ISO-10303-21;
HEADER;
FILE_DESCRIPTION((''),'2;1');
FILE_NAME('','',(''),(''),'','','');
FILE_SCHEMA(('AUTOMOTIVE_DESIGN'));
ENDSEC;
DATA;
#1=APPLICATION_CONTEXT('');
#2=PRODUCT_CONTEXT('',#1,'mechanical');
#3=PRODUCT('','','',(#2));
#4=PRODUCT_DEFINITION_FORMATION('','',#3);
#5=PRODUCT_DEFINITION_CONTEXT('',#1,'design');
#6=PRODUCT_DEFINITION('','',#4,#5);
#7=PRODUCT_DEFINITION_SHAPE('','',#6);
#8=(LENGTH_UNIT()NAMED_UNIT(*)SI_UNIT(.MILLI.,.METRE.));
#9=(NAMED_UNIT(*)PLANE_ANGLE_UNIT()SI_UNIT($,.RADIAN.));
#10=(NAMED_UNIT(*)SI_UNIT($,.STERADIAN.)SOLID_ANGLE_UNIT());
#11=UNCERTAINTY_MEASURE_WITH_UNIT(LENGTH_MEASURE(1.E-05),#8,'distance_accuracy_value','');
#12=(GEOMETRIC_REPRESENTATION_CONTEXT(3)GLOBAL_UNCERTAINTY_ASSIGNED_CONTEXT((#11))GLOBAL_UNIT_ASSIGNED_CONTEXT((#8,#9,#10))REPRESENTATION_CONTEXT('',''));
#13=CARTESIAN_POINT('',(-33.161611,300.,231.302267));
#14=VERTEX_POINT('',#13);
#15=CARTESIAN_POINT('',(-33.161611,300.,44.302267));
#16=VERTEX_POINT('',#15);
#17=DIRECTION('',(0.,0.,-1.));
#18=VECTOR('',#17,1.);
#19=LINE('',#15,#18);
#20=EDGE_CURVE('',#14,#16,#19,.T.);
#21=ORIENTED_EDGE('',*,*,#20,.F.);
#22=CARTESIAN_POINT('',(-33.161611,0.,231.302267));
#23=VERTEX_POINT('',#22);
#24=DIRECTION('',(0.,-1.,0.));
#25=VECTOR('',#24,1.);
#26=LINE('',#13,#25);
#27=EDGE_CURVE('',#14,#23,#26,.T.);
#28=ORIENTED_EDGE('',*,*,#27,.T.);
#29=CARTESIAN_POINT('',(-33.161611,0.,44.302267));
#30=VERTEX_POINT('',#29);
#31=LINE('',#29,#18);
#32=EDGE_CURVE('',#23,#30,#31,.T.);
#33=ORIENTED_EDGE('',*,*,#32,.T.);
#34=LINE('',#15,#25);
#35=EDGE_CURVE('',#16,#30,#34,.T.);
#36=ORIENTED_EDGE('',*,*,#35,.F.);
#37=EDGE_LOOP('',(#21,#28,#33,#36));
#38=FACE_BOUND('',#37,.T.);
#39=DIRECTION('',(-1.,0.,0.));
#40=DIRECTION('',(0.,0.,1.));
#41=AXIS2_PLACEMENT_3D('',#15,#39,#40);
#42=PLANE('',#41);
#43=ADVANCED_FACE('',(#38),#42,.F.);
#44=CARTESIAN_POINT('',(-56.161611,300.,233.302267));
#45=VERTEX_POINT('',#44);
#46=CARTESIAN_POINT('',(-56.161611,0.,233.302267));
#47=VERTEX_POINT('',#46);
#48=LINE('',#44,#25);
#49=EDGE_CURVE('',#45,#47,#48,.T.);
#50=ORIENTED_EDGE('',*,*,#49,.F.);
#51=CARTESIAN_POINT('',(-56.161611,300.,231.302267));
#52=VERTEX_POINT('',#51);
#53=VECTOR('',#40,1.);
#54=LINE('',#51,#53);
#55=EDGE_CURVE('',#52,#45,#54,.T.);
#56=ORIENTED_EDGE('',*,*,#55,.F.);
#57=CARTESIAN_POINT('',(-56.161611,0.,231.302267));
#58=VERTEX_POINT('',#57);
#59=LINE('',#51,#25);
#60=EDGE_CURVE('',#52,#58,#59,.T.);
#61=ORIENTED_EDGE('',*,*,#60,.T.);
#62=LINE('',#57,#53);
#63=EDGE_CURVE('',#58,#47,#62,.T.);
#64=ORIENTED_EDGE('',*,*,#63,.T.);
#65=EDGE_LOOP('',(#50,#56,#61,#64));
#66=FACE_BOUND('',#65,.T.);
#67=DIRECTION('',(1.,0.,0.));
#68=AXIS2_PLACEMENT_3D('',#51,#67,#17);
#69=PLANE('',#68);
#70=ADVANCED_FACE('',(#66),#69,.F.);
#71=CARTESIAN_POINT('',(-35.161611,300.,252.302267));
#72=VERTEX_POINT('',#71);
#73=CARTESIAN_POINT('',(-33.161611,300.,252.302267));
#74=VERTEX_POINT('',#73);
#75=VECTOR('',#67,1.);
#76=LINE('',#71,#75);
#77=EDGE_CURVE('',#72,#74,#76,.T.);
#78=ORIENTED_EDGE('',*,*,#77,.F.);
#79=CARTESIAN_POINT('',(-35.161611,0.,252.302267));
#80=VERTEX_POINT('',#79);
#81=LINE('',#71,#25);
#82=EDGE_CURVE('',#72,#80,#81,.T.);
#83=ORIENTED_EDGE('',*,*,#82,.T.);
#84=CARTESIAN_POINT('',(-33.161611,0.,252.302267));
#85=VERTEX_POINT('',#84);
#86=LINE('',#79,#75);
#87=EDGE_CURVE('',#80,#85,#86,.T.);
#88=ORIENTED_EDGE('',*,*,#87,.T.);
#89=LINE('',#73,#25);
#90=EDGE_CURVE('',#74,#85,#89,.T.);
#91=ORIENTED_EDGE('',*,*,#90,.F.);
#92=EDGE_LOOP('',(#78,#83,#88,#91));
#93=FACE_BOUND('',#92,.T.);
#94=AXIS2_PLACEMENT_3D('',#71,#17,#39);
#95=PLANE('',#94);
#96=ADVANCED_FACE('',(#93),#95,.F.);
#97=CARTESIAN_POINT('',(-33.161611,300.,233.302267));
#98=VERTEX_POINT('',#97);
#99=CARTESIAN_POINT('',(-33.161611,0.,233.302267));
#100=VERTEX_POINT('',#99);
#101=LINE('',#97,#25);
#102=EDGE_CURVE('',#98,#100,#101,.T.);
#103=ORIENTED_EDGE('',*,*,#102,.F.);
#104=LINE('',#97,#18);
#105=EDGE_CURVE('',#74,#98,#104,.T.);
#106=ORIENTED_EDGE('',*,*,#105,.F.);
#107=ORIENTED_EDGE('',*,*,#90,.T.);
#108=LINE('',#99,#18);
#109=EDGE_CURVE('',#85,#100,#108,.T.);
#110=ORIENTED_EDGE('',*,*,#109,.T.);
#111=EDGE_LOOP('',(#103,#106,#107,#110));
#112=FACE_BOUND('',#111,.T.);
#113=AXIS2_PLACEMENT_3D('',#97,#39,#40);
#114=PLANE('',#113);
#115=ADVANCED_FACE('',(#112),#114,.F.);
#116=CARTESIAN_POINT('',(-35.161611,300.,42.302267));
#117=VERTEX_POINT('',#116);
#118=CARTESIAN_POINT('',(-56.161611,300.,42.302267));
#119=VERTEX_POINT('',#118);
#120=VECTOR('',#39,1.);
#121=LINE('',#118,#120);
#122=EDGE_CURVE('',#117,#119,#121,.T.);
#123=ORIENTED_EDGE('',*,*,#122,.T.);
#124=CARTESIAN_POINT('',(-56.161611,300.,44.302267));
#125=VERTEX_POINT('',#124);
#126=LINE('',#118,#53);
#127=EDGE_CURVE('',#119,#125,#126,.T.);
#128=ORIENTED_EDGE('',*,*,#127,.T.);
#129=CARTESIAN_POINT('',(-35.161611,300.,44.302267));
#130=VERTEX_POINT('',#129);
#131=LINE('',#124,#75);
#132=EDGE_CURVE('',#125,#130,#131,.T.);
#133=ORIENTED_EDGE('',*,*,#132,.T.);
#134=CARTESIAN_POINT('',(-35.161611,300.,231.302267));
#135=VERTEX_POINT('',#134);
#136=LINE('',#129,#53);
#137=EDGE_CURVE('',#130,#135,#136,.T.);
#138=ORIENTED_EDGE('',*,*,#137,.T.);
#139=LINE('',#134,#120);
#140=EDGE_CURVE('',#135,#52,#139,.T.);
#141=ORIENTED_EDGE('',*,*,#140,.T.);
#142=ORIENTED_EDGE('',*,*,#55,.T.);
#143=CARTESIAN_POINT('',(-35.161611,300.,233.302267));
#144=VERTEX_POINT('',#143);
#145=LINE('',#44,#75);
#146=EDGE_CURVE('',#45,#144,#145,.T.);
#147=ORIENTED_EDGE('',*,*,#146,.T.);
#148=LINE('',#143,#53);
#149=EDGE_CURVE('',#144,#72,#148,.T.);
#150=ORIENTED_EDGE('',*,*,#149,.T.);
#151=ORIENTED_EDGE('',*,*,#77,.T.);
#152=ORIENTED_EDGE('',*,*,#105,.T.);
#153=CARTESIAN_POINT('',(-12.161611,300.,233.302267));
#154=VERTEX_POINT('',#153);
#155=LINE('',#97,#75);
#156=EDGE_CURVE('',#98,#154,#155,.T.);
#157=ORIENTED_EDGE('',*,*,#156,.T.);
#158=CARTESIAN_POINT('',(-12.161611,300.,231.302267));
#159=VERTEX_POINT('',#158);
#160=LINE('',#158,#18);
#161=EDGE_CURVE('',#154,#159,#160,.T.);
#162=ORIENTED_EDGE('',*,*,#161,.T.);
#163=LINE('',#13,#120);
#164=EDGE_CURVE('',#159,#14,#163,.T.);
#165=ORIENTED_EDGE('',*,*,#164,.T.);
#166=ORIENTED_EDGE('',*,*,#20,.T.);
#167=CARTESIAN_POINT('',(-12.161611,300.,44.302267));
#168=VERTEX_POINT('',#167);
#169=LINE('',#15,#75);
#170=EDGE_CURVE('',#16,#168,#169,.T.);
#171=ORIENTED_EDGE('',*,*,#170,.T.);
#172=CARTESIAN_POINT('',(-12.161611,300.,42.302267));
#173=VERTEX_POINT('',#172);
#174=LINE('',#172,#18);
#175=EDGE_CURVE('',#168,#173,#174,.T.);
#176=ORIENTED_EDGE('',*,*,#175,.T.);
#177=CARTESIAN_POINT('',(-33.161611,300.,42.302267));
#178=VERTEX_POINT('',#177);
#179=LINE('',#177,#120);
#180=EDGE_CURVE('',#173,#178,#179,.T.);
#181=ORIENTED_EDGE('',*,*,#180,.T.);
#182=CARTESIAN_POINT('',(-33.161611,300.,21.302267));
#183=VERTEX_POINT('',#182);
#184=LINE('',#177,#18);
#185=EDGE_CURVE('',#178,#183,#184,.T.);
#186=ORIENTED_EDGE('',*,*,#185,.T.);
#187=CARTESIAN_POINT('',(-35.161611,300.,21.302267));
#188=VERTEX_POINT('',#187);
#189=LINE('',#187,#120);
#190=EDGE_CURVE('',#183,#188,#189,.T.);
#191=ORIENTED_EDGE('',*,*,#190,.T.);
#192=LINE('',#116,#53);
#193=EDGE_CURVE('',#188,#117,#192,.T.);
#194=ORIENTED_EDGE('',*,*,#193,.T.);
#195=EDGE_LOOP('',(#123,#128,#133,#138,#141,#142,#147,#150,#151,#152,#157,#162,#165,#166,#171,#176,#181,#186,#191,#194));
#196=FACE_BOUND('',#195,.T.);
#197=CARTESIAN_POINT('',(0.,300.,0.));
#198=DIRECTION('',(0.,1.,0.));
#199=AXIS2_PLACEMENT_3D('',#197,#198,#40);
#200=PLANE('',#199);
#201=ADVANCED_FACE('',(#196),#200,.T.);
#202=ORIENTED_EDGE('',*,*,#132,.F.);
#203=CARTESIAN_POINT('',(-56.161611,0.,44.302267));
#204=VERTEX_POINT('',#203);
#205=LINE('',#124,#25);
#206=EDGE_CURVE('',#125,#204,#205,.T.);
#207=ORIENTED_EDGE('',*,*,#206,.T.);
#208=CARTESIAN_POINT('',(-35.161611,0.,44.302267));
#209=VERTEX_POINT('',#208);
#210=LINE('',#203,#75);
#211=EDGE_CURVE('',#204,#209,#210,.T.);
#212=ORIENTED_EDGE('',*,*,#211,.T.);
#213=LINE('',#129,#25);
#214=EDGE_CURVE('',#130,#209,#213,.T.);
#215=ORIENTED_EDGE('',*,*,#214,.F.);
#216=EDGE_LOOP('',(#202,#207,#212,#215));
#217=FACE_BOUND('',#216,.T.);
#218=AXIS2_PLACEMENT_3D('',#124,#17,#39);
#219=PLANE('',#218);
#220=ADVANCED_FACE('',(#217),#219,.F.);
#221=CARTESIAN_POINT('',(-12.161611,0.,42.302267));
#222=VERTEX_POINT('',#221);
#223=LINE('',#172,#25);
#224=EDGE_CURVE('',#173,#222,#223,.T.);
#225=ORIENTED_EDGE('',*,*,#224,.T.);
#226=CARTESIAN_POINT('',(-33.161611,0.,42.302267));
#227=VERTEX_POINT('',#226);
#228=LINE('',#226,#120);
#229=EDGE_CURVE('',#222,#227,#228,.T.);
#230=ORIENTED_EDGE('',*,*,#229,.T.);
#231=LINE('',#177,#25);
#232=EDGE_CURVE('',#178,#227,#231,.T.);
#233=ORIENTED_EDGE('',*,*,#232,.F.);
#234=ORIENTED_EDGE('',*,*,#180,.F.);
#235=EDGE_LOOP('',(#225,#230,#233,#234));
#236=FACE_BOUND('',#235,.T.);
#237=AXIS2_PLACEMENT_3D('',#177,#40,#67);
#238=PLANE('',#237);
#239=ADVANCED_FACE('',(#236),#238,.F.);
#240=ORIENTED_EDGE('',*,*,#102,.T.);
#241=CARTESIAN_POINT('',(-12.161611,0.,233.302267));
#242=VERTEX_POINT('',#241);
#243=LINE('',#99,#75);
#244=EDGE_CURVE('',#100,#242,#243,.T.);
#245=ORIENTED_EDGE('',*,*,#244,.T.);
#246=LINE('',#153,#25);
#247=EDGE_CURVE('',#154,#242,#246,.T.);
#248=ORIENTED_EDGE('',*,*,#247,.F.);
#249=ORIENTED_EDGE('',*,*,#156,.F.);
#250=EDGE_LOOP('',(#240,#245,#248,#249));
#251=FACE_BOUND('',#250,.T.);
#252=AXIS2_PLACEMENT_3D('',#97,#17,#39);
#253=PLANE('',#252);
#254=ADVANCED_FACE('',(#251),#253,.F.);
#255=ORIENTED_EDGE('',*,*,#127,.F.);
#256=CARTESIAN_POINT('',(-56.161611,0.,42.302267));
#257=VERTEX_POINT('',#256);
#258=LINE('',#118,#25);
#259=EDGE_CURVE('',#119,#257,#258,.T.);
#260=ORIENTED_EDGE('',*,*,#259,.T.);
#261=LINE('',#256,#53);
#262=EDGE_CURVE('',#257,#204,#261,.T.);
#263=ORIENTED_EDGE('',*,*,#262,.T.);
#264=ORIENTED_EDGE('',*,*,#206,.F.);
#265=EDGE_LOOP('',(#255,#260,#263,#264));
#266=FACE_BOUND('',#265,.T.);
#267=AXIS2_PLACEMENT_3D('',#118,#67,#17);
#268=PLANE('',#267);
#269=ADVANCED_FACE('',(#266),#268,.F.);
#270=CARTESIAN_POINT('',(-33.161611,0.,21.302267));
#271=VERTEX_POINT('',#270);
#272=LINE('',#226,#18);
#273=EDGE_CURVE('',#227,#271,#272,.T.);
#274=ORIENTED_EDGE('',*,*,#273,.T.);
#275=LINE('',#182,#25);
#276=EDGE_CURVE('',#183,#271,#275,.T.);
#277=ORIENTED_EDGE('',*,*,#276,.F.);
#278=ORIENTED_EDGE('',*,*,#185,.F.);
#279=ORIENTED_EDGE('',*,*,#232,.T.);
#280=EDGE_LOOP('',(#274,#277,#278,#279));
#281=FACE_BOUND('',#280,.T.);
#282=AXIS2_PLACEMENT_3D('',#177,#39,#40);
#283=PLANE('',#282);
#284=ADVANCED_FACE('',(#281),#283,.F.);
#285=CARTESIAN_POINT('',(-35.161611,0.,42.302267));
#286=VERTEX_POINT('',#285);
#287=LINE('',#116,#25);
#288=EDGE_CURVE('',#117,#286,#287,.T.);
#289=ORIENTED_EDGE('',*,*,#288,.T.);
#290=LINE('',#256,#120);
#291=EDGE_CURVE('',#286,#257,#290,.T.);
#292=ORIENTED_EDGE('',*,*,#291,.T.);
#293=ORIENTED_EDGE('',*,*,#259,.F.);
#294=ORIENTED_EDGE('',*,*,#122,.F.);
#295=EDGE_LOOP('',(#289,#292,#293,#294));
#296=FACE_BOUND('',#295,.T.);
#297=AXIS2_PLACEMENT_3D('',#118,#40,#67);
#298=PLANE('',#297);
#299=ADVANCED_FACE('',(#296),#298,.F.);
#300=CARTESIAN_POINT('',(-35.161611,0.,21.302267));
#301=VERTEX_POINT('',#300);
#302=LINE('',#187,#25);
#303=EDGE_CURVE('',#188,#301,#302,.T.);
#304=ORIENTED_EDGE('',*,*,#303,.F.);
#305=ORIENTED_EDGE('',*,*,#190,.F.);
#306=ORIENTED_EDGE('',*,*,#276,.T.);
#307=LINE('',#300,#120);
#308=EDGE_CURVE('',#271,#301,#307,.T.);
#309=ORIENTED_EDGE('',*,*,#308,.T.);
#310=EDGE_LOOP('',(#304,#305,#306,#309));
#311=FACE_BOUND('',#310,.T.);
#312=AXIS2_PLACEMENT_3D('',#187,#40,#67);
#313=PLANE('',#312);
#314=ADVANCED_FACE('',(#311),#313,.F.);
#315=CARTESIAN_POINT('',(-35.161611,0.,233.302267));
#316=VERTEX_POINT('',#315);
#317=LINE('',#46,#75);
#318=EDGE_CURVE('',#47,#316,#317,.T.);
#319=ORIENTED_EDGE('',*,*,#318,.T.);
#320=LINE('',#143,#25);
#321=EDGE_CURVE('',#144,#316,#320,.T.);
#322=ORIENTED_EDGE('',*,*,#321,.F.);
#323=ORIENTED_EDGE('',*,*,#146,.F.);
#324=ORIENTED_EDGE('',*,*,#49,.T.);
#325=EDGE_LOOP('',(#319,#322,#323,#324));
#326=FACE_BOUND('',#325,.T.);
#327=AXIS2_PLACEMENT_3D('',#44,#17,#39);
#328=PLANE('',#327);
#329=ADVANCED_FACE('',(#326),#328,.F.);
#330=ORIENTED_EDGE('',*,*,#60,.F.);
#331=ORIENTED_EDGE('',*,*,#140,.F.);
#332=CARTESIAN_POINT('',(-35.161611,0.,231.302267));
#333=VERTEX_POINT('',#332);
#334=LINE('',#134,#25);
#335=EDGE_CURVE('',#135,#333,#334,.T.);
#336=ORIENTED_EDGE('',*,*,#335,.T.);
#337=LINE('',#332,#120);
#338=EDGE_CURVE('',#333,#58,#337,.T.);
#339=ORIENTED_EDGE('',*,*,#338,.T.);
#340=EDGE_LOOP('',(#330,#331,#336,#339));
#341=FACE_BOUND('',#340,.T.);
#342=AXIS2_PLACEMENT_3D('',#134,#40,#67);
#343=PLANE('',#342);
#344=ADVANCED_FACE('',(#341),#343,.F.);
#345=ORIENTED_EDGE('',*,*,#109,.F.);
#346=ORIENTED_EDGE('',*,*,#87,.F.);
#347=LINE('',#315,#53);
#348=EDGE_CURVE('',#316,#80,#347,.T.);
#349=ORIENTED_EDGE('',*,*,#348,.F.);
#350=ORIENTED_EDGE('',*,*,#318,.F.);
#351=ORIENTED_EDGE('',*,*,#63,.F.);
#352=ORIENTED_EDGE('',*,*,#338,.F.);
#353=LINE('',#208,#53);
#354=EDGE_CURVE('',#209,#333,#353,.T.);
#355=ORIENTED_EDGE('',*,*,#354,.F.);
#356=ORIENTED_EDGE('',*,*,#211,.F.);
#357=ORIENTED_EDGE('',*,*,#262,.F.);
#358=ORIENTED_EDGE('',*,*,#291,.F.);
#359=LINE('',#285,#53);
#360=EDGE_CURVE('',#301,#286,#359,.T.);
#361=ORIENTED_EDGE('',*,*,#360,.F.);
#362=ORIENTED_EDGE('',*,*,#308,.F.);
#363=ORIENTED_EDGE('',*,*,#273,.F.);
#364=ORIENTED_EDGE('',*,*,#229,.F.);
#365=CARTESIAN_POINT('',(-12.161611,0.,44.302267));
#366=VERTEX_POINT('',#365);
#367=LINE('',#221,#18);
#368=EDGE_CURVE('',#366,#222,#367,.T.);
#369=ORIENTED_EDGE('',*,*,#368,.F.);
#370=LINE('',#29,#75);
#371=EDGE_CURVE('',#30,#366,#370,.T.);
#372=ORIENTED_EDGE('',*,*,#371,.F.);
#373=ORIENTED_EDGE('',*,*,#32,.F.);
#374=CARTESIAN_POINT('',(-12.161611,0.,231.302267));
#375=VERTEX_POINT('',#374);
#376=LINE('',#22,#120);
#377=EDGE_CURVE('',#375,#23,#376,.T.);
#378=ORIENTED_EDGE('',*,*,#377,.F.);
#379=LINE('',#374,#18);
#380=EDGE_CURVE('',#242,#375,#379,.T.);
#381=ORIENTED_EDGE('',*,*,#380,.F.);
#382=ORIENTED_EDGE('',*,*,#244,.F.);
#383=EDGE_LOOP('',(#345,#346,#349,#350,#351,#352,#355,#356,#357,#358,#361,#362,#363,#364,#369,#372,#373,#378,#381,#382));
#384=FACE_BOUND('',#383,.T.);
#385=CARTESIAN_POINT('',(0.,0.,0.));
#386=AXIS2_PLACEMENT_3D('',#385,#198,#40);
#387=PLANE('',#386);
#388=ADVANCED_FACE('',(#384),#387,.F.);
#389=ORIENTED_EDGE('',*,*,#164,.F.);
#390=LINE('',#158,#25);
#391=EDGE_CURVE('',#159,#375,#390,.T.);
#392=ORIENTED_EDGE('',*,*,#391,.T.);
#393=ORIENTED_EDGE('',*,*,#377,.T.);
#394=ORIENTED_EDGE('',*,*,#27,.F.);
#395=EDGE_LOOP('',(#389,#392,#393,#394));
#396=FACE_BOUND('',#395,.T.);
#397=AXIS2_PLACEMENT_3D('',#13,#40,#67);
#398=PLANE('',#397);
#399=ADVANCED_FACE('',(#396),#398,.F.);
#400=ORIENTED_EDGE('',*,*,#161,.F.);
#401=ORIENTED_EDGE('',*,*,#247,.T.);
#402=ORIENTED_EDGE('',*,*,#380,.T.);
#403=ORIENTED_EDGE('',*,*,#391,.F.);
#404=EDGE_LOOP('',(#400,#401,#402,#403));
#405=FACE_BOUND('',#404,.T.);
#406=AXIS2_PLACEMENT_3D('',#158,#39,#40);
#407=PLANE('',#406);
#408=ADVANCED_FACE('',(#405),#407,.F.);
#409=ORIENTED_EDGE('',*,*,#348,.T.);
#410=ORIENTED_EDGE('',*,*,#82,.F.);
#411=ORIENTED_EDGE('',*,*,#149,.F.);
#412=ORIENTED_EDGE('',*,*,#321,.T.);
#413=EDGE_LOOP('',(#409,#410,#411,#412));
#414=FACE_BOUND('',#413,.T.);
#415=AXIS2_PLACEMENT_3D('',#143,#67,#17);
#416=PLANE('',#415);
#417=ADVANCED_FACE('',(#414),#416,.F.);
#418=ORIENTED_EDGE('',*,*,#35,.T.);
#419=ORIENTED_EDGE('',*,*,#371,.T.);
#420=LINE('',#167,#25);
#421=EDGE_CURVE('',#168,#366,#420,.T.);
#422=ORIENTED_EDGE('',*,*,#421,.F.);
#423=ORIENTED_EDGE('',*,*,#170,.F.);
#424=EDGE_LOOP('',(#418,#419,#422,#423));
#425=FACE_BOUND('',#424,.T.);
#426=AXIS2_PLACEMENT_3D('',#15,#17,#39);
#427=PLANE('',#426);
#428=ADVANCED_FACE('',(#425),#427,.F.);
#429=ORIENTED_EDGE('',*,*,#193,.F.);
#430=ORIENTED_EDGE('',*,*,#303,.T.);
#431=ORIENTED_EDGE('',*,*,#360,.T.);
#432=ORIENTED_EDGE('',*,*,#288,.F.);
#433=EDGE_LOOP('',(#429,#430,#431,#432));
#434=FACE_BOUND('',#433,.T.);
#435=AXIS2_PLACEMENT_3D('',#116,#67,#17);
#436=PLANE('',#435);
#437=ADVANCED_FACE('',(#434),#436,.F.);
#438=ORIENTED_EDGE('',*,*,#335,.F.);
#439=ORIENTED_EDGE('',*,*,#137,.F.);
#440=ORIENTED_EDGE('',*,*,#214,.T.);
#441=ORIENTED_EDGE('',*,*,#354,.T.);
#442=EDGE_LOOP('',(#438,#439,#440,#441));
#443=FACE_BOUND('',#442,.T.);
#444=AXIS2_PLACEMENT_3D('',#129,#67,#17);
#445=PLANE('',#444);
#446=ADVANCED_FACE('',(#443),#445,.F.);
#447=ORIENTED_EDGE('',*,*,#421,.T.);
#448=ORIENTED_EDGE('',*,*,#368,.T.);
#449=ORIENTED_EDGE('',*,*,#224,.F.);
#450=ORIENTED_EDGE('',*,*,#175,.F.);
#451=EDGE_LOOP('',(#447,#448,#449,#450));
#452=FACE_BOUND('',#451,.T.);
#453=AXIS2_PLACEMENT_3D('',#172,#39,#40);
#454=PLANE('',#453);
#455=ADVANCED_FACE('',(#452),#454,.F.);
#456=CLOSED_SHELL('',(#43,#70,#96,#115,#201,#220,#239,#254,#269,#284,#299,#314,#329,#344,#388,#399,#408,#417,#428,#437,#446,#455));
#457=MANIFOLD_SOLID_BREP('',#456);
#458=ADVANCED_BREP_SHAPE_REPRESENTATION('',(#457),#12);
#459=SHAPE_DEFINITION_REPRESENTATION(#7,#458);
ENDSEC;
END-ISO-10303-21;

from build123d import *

# Parameters (mm, degrees)
BOSS_EXTRUDE1_DEPTH = 300


with BuildPart() as part:
    # Sketch1 → Boss-Extrude1 (new body)
    with BuildSketch(Plane(origin=(0, 0, 0), x_dir=(1, 0, 0), z_dir=(0, 1, 0))):
        Polygon((-56.161611152, -42.302266887), (-35.161611152, -42.302266887), (-35.161611152, -21.302266887), (-33.161611152, -21.302266887), (-33.161611152, -42.302266887), (-12.161611152, -42.302266887), (-12.161611152, -44.302266887), (-33.161611152, -44.302266887), (-33.161611152, -231.302266887), (-12.161611152, -231.302266887), (-12.161611152, -233.302266887), (-33.161611152, -233.302266887), (-33.161611152, -252.302266887), (-35.161611152, -252.302266887), (-35.161611152, -233.302266887), (-56.161611152, -233.302266887), (-56.161611152, -231.302266887), (-35.161611152, -231.302266887), (-35.161611152, -44.302266887), (-56.161611152, -44.302266887), align=None)
    extrude(amount=BOSS_EXTRUDE1_DEPTH)


solid = part.part
